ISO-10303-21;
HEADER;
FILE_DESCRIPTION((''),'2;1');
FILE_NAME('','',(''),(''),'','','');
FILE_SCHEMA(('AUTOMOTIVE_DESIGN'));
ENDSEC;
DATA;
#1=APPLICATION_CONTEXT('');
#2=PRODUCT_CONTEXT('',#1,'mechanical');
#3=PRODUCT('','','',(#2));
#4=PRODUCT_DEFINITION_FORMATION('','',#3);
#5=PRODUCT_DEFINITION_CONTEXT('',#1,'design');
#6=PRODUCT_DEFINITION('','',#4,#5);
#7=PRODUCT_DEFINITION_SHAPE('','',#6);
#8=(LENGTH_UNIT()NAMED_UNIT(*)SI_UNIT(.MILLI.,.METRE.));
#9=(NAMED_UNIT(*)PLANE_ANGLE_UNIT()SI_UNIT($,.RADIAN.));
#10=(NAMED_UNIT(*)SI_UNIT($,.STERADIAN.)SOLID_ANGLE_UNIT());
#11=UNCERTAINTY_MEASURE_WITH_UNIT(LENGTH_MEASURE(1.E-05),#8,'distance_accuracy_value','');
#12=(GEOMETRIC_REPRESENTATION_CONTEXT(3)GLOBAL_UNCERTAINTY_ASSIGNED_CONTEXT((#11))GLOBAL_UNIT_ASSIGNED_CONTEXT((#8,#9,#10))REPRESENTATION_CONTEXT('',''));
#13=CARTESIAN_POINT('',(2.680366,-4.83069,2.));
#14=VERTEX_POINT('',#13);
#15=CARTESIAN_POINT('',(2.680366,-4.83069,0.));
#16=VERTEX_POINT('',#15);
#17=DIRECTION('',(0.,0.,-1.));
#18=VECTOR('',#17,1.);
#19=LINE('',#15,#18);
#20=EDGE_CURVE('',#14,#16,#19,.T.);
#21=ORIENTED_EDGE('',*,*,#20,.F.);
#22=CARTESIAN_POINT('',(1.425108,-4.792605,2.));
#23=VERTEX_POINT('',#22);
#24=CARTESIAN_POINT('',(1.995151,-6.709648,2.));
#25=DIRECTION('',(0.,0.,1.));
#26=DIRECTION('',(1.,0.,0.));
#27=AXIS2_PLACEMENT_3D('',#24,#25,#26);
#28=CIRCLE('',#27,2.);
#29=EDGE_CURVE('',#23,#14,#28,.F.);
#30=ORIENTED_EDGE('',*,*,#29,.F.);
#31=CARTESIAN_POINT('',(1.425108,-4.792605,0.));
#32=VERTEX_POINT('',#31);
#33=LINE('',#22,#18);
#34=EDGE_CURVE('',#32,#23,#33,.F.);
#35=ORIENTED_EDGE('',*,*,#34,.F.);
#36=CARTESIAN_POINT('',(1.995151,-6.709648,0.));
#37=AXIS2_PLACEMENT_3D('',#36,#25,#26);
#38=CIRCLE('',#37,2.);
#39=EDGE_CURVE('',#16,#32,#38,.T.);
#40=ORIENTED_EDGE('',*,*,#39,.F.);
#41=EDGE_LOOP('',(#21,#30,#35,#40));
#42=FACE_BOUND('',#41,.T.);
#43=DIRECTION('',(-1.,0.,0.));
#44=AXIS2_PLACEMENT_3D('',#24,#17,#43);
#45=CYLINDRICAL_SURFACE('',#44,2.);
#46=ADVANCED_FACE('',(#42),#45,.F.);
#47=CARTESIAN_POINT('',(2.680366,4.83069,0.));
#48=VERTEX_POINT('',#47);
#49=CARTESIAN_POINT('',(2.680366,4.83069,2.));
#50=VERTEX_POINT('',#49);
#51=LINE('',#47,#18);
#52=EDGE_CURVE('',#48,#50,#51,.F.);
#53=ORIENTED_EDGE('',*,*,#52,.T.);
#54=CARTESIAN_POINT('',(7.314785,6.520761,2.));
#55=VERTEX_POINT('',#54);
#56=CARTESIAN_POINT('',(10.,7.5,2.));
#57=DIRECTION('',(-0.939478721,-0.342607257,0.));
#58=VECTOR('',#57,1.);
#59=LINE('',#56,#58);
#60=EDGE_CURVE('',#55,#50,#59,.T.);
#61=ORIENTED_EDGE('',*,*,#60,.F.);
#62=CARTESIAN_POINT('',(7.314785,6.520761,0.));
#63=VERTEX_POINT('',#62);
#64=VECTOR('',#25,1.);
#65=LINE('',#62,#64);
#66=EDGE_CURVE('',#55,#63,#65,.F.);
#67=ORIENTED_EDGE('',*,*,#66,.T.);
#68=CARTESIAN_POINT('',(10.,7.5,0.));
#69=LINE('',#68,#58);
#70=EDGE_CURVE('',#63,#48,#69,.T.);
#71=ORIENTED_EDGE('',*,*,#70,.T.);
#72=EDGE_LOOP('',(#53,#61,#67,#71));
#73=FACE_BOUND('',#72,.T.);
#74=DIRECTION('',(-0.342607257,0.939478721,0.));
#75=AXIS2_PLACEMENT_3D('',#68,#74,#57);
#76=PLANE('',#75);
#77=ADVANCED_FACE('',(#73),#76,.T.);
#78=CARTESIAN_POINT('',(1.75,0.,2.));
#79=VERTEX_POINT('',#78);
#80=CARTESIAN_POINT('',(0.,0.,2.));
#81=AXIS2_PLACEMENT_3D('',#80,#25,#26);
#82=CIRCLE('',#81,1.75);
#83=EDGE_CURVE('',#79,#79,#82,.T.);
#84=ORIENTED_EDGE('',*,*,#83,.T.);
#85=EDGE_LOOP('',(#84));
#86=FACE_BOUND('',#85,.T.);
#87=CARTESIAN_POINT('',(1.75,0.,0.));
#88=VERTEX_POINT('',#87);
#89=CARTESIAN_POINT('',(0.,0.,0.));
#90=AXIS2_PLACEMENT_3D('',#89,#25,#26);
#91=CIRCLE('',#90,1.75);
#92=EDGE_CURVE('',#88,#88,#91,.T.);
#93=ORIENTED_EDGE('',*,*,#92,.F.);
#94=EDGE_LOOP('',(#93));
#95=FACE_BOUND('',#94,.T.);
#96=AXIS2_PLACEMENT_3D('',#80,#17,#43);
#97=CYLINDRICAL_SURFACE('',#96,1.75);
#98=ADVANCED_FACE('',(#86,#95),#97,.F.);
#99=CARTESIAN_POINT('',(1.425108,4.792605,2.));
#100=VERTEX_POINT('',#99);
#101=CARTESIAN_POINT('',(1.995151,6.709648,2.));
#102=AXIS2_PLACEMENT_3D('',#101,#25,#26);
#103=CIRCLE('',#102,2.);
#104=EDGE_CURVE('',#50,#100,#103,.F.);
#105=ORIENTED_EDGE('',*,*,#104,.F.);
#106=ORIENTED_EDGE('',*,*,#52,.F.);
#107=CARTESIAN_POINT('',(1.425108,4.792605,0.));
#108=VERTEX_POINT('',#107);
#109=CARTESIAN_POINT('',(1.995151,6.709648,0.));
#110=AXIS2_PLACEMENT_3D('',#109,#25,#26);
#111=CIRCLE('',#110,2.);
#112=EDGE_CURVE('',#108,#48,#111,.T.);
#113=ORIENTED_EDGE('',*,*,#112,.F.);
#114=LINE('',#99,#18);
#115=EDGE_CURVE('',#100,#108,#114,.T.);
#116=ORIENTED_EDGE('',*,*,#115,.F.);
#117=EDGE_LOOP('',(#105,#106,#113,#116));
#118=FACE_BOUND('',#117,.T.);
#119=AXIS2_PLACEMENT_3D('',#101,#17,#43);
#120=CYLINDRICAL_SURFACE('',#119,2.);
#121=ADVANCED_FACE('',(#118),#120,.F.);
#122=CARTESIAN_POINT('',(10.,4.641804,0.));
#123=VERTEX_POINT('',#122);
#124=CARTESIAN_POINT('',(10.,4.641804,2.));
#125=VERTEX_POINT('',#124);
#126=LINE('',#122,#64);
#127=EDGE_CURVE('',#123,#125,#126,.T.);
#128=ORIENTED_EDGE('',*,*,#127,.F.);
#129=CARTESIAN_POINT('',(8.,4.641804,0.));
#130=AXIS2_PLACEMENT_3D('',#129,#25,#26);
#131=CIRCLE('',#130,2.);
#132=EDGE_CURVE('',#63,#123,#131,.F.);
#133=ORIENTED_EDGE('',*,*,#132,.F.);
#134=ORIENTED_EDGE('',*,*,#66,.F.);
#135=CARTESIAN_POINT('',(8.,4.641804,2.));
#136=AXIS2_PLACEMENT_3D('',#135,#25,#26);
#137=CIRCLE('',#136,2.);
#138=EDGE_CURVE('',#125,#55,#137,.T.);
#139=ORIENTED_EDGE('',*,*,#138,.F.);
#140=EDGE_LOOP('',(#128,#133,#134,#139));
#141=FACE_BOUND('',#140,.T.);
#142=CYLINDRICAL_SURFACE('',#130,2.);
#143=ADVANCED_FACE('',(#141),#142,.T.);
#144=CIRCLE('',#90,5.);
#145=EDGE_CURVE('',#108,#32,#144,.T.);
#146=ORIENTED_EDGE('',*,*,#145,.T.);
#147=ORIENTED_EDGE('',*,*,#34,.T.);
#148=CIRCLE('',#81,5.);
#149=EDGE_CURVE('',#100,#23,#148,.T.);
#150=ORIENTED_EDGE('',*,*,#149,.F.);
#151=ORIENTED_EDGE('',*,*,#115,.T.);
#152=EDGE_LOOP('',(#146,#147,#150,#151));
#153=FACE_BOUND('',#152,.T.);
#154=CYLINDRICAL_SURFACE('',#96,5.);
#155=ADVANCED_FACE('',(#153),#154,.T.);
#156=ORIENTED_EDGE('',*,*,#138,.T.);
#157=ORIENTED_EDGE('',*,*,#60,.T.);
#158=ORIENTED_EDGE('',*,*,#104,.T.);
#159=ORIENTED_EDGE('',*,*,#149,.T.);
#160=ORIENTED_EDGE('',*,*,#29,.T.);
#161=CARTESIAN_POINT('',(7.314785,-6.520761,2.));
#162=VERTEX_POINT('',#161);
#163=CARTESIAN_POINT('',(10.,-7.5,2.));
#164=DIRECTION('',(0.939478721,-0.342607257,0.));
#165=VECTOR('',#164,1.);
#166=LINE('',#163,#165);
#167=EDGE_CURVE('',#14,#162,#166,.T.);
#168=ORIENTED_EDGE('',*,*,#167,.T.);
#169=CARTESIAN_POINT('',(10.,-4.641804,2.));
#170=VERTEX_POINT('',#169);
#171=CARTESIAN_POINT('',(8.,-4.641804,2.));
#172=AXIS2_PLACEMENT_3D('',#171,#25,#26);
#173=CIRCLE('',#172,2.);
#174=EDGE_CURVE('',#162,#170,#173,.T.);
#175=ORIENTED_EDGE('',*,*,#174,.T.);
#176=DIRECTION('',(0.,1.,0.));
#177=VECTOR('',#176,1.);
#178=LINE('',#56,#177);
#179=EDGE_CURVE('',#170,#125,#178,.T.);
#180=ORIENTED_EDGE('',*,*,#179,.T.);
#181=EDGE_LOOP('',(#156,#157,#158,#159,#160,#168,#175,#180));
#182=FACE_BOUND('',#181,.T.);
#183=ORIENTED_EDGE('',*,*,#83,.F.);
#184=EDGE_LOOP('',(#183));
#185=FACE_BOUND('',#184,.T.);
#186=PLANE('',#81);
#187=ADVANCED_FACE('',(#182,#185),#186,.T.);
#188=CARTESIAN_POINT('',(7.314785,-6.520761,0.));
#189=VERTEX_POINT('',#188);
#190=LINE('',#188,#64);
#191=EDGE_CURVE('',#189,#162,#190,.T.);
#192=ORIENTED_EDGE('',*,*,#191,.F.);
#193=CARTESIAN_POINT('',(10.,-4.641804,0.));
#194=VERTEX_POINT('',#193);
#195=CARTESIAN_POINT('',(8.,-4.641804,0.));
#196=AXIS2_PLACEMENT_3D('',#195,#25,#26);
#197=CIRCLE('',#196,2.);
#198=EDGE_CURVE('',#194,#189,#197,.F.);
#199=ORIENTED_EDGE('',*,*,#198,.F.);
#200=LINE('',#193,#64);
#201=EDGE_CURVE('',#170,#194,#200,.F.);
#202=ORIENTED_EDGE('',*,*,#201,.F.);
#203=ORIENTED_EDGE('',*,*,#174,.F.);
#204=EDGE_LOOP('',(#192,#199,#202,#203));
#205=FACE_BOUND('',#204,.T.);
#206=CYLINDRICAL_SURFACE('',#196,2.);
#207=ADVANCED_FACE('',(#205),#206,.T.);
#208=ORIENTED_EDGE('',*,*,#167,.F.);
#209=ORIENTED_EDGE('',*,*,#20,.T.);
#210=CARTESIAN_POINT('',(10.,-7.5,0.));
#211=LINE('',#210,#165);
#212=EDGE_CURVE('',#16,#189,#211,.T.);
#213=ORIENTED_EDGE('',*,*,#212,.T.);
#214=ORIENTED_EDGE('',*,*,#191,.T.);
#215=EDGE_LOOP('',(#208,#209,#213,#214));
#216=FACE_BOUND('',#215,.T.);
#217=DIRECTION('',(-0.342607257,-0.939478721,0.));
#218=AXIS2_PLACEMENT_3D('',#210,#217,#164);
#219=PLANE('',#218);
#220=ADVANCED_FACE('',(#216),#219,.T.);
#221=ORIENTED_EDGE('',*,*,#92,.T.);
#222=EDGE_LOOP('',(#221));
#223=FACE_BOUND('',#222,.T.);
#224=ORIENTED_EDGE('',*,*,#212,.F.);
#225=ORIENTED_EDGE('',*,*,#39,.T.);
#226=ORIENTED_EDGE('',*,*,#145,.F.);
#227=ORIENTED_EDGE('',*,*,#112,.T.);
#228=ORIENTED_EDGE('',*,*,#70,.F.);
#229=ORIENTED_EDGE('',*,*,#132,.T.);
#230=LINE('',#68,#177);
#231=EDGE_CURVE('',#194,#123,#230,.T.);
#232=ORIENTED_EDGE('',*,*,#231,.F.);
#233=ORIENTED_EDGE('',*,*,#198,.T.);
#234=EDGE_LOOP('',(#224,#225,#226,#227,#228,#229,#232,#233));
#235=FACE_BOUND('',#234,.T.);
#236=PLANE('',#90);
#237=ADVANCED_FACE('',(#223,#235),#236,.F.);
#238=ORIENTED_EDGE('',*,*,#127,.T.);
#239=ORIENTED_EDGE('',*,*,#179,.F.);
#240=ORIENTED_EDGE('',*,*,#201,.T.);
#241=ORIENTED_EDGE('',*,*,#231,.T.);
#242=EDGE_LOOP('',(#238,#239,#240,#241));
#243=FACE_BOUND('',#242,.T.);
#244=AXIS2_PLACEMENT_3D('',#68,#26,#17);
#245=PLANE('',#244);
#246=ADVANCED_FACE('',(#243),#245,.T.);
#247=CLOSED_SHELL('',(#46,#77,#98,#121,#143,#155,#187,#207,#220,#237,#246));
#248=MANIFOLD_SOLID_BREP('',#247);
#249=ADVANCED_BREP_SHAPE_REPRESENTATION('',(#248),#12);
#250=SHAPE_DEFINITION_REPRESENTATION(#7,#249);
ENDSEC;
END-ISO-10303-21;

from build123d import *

# Parameters (mm, degrees)
ESQUISSE1_R        = 5
ESQUISSE1_R_2      = 1.75
BOSS_EXTRU_1_DEPTH = 2
BOSS_EXTRU_2_DEPTH = 2
CONG_1_R           = 2


with BuildPart() as part:
    # Esquisse1 → Boss.-Extru.1 (new body)
    with BuildSketch(Plane.XY):
        Circle(ESQUISSE1_R)
        Circle(ESQUISSE1_R_2, mode=Mode.SUBTRACT)
    extrude(amount=BOSS_EXTRU_1_DEPTH)

    # Esquisse2 → Boss.-Extru.2 (add)
    with BuildSketch(Plane.XY.offset(2)):
        Polygon((10, 7.5), (10, -7.5), (2, -4.582575695), (2, 4.582575695), align=None)
    extrude(amount=-BOSS_EXTRU_2_DEPTH)

    # Congé1
    cong_1_edges = [part.edges().sort_by_distance(p)[0] for p in [
        (2, 4.582575695, 1),
        (10, 7.5, 1),
        (10, -7.5, 1),
        (2, -4.582575695, 1),
    ]]
    fillet(cong_1_edges, radius=CONG_1_R)


solid = part.part
